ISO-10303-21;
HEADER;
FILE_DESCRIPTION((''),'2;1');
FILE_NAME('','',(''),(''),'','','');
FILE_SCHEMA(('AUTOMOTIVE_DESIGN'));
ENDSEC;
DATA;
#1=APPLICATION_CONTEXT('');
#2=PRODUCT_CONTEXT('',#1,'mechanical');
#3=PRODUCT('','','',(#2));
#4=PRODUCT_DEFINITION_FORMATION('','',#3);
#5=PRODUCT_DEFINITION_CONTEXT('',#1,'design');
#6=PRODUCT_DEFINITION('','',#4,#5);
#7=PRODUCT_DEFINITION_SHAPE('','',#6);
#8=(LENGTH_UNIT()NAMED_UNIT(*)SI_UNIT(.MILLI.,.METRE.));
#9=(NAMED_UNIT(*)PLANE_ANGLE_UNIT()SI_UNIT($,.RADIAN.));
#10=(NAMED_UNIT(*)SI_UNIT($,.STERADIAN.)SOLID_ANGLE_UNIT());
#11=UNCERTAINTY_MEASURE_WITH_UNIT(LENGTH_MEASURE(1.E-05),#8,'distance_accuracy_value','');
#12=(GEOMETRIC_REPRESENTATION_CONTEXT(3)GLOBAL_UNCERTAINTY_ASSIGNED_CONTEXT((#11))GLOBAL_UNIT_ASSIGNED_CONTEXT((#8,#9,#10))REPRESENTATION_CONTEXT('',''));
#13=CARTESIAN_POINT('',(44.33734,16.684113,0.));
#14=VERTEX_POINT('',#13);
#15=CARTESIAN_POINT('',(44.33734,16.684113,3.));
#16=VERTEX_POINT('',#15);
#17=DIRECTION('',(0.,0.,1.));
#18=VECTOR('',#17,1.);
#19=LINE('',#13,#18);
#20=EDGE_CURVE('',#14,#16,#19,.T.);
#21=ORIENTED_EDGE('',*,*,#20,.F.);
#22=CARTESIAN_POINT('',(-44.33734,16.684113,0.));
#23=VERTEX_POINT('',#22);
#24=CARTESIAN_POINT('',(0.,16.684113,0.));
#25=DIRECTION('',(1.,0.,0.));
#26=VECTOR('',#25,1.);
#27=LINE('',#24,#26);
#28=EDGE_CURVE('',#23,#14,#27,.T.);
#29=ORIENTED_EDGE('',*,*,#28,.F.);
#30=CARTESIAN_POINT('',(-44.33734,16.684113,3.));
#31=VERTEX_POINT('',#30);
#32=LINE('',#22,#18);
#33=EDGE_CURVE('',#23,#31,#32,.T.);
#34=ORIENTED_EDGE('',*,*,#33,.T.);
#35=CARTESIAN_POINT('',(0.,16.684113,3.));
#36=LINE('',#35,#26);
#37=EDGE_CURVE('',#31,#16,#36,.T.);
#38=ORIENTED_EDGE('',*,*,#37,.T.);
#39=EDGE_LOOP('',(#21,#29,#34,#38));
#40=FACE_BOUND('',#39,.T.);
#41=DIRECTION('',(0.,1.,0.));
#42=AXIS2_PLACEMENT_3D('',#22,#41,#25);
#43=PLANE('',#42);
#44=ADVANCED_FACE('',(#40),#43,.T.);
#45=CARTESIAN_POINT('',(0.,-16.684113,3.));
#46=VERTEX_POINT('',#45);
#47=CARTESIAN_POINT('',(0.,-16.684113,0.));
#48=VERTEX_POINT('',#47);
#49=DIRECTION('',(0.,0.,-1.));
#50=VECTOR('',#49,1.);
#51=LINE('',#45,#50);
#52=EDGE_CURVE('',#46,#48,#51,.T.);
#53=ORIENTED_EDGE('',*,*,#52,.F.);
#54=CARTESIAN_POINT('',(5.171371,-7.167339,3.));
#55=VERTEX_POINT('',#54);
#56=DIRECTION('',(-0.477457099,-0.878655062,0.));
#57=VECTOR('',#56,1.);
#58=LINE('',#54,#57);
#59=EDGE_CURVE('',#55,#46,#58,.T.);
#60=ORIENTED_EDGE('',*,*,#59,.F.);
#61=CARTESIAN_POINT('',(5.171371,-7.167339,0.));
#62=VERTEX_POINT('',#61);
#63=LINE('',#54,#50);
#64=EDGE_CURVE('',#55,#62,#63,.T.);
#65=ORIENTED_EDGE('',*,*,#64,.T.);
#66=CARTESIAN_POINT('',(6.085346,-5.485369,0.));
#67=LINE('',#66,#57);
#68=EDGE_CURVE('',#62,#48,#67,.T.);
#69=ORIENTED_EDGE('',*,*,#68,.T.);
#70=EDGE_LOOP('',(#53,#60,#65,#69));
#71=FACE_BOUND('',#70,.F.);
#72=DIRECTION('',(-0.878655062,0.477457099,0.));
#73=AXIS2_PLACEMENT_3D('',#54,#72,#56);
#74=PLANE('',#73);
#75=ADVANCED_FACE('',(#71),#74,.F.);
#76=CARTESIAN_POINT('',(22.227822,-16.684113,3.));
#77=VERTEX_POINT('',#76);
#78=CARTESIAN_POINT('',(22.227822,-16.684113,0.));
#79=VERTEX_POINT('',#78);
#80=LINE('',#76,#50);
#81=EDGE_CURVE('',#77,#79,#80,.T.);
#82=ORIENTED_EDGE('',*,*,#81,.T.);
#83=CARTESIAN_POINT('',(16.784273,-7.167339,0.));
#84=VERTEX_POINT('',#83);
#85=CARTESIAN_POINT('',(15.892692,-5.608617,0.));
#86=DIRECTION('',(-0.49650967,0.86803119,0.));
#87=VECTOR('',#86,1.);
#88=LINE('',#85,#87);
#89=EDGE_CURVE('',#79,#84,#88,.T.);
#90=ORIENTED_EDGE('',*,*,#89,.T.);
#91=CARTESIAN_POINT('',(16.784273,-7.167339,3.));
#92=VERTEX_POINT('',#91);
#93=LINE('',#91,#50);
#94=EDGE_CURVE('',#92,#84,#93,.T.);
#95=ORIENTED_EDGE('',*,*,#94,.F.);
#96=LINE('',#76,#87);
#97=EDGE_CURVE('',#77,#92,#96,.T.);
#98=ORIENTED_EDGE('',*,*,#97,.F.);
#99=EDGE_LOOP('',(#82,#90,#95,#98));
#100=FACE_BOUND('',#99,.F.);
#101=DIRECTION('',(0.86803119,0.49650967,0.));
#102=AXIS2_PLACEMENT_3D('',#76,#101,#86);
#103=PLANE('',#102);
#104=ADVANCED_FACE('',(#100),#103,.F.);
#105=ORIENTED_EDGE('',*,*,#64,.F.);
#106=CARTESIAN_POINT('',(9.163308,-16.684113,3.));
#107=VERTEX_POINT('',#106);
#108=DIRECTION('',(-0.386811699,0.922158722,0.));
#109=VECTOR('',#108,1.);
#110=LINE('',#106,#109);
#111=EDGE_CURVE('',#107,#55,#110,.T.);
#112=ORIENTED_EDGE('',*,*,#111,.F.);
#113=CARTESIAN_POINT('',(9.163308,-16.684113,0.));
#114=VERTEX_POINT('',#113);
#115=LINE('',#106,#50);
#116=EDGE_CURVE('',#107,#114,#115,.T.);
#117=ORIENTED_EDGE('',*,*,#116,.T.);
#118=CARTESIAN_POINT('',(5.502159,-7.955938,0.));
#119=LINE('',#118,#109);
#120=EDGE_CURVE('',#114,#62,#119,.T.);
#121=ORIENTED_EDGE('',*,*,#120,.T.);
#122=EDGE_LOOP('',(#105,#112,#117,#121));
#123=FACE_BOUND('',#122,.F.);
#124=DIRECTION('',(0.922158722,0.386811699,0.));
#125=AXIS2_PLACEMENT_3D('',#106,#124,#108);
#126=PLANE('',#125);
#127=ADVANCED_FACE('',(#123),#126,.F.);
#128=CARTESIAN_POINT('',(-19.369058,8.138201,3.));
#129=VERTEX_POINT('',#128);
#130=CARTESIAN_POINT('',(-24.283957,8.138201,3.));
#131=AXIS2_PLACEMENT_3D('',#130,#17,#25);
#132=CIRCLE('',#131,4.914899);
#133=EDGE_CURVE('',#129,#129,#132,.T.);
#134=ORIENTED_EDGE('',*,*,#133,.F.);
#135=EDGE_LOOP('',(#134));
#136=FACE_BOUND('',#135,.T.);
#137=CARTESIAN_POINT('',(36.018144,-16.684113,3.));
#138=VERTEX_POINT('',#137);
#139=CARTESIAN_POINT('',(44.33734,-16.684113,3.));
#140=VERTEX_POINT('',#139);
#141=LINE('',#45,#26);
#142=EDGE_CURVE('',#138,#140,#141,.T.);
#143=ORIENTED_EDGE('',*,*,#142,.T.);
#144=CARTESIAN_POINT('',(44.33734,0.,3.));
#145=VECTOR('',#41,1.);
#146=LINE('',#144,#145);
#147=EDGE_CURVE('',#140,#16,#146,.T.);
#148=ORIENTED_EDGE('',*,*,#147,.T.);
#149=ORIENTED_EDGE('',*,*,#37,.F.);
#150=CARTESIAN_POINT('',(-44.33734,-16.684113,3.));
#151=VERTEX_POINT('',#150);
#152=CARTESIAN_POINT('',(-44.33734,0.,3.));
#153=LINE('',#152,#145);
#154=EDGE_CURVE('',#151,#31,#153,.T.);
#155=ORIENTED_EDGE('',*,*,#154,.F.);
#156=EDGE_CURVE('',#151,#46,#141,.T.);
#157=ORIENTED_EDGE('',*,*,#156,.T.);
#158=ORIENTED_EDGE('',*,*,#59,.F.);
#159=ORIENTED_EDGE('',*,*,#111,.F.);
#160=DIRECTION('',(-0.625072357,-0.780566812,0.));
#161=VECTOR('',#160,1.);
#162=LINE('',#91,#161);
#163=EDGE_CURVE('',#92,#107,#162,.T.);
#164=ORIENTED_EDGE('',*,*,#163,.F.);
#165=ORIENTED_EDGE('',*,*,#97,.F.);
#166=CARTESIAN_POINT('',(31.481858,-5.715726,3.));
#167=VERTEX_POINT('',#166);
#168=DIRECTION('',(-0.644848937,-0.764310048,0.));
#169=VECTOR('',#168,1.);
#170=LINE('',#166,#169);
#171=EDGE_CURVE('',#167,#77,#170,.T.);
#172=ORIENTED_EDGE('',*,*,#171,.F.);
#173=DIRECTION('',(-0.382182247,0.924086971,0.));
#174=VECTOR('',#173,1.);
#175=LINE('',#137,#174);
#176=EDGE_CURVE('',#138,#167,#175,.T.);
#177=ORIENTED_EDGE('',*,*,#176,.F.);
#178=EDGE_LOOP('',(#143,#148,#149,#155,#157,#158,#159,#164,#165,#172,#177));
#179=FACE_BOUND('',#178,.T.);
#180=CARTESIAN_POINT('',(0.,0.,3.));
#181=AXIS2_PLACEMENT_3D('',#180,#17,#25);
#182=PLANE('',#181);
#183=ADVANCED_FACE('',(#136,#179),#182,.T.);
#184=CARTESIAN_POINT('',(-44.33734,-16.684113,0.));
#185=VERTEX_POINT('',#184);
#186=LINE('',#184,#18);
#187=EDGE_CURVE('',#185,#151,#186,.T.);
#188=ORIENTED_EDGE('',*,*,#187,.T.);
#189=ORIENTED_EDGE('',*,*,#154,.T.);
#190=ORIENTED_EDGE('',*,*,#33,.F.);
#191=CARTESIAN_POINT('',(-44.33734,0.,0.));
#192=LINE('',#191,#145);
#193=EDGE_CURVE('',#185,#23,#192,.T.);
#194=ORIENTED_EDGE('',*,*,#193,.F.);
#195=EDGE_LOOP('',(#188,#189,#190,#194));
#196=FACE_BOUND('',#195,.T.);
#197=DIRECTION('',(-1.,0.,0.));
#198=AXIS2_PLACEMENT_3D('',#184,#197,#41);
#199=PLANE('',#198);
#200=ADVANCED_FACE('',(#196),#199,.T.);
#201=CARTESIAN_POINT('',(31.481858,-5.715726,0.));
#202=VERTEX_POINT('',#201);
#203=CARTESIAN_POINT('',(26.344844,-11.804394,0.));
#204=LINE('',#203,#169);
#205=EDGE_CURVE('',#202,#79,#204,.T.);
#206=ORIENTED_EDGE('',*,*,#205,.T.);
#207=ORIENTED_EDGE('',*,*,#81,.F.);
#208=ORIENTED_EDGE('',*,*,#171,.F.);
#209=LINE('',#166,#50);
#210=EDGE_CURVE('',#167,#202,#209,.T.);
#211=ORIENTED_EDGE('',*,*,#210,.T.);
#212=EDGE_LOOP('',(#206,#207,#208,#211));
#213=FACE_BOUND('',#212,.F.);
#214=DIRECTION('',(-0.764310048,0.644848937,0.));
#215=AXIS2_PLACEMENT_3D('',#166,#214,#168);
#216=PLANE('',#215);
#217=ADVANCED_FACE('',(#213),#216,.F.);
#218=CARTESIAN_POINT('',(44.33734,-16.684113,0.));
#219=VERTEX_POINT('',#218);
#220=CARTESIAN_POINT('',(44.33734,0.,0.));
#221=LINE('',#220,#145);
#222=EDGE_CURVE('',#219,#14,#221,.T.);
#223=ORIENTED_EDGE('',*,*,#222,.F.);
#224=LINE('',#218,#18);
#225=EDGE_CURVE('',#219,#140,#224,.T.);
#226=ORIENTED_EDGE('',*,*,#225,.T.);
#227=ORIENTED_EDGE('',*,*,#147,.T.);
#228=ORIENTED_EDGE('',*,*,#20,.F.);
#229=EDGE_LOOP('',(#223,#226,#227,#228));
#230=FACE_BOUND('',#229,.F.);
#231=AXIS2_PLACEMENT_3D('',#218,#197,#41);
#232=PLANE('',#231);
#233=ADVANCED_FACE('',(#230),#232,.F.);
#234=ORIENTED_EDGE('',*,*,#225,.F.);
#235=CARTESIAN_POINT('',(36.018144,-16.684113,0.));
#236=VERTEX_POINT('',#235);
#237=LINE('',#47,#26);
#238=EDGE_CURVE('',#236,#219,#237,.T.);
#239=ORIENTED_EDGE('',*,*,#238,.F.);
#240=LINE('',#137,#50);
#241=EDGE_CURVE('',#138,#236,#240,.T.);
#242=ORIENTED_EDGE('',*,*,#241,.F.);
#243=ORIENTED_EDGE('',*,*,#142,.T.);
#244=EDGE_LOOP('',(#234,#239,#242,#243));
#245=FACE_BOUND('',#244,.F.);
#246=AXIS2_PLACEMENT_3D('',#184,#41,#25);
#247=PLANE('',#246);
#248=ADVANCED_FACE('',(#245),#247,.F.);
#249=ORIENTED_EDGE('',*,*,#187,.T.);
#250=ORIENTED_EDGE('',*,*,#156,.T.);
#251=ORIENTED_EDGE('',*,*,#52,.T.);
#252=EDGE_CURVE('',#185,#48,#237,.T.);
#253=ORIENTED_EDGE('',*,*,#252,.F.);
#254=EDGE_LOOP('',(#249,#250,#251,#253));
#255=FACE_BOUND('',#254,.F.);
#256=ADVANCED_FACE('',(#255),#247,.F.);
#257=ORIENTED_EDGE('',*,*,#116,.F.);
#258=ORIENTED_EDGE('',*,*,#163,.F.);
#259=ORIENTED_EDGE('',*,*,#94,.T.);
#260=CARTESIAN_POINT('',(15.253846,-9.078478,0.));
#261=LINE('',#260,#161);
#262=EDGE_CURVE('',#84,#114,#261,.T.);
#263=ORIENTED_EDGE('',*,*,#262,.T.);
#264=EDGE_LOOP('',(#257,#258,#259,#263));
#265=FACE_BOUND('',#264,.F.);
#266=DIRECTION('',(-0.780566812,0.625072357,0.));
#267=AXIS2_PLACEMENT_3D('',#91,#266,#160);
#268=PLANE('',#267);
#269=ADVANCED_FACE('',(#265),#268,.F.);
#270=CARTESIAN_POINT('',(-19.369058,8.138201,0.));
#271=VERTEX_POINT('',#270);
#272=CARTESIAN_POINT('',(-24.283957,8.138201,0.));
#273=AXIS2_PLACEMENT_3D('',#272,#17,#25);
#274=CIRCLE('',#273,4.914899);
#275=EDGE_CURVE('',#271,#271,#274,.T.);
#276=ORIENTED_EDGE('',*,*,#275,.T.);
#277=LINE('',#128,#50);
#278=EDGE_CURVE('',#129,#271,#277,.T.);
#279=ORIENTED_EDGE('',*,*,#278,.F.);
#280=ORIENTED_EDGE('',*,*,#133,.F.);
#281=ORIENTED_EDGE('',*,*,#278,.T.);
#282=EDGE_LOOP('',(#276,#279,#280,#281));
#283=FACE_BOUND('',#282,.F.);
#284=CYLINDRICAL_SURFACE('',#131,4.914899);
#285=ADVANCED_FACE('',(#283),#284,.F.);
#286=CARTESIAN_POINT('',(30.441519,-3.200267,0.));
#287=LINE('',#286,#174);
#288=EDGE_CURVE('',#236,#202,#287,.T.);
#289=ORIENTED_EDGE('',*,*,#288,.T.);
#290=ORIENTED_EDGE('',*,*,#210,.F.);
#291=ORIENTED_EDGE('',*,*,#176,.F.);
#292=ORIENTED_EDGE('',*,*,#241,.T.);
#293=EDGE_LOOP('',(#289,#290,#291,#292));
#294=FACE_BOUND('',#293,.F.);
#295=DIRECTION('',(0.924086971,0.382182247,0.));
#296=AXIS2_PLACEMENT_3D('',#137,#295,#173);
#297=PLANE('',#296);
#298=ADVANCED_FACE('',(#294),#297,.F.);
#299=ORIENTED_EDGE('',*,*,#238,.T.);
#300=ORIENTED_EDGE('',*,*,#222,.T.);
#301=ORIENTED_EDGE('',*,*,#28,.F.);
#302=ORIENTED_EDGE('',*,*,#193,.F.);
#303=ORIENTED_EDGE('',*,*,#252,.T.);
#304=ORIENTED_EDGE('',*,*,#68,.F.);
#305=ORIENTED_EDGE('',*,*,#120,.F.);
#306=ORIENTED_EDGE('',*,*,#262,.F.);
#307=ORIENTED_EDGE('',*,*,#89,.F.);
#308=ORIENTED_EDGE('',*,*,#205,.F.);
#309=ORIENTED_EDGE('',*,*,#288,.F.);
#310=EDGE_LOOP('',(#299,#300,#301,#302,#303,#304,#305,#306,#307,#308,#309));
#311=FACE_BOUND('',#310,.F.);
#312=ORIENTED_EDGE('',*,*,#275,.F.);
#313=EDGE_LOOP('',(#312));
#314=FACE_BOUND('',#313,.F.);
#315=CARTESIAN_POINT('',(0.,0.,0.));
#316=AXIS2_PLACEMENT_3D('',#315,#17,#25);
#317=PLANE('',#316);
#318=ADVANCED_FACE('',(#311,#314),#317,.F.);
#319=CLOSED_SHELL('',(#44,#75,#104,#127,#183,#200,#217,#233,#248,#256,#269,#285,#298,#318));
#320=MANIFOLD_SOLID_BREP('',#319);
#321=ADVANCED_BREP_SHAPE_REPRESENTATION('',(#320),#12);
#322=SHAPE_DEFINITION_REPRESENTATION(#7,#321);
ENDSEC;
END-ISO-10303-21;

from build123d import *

# Parameters (mm, degrees)
F0_W     = 88.67468
F0_H     = 33.368226
F1_DEPTH = 3
F2_R     = 4.914899
F3_DEPTH = 25
F5_DEPTH = 25


with BuildPart() as f1:
    # F0 (on Top) → F1 (new body)
    with BuildSketch(Plane.XY):
        Rectangle(F0_W, F0_H)
    extrude(amount=F1_DEPTH)

    # F2 (on face) → F3 (cut)
    with BuildSketch(Plane.XY.offset(3)):
        with Locations((-24.283957, 8.138201)):
            Circle(F2_R)
    extrude(amount=-F3_DEPTH, mode=Mode.SUBTRACT)

    # F4 (on face) → F5 (cut)
    with BuildSketch(Plane.XY.offset(3)):
        Polygon((5.171371, -7.167339), (0, -16.684113), (18.780243, -47.993954), (36.018144, -16.684113), (31.481858, -5.715726), (22.227822, -16.684113), (16.784273, -7.167339), (9.163308, -16.684113), align=None)
    extrude(amount=-F5_DEPTH, mode=Mode.SUBTRACT)


solid = f1.part
